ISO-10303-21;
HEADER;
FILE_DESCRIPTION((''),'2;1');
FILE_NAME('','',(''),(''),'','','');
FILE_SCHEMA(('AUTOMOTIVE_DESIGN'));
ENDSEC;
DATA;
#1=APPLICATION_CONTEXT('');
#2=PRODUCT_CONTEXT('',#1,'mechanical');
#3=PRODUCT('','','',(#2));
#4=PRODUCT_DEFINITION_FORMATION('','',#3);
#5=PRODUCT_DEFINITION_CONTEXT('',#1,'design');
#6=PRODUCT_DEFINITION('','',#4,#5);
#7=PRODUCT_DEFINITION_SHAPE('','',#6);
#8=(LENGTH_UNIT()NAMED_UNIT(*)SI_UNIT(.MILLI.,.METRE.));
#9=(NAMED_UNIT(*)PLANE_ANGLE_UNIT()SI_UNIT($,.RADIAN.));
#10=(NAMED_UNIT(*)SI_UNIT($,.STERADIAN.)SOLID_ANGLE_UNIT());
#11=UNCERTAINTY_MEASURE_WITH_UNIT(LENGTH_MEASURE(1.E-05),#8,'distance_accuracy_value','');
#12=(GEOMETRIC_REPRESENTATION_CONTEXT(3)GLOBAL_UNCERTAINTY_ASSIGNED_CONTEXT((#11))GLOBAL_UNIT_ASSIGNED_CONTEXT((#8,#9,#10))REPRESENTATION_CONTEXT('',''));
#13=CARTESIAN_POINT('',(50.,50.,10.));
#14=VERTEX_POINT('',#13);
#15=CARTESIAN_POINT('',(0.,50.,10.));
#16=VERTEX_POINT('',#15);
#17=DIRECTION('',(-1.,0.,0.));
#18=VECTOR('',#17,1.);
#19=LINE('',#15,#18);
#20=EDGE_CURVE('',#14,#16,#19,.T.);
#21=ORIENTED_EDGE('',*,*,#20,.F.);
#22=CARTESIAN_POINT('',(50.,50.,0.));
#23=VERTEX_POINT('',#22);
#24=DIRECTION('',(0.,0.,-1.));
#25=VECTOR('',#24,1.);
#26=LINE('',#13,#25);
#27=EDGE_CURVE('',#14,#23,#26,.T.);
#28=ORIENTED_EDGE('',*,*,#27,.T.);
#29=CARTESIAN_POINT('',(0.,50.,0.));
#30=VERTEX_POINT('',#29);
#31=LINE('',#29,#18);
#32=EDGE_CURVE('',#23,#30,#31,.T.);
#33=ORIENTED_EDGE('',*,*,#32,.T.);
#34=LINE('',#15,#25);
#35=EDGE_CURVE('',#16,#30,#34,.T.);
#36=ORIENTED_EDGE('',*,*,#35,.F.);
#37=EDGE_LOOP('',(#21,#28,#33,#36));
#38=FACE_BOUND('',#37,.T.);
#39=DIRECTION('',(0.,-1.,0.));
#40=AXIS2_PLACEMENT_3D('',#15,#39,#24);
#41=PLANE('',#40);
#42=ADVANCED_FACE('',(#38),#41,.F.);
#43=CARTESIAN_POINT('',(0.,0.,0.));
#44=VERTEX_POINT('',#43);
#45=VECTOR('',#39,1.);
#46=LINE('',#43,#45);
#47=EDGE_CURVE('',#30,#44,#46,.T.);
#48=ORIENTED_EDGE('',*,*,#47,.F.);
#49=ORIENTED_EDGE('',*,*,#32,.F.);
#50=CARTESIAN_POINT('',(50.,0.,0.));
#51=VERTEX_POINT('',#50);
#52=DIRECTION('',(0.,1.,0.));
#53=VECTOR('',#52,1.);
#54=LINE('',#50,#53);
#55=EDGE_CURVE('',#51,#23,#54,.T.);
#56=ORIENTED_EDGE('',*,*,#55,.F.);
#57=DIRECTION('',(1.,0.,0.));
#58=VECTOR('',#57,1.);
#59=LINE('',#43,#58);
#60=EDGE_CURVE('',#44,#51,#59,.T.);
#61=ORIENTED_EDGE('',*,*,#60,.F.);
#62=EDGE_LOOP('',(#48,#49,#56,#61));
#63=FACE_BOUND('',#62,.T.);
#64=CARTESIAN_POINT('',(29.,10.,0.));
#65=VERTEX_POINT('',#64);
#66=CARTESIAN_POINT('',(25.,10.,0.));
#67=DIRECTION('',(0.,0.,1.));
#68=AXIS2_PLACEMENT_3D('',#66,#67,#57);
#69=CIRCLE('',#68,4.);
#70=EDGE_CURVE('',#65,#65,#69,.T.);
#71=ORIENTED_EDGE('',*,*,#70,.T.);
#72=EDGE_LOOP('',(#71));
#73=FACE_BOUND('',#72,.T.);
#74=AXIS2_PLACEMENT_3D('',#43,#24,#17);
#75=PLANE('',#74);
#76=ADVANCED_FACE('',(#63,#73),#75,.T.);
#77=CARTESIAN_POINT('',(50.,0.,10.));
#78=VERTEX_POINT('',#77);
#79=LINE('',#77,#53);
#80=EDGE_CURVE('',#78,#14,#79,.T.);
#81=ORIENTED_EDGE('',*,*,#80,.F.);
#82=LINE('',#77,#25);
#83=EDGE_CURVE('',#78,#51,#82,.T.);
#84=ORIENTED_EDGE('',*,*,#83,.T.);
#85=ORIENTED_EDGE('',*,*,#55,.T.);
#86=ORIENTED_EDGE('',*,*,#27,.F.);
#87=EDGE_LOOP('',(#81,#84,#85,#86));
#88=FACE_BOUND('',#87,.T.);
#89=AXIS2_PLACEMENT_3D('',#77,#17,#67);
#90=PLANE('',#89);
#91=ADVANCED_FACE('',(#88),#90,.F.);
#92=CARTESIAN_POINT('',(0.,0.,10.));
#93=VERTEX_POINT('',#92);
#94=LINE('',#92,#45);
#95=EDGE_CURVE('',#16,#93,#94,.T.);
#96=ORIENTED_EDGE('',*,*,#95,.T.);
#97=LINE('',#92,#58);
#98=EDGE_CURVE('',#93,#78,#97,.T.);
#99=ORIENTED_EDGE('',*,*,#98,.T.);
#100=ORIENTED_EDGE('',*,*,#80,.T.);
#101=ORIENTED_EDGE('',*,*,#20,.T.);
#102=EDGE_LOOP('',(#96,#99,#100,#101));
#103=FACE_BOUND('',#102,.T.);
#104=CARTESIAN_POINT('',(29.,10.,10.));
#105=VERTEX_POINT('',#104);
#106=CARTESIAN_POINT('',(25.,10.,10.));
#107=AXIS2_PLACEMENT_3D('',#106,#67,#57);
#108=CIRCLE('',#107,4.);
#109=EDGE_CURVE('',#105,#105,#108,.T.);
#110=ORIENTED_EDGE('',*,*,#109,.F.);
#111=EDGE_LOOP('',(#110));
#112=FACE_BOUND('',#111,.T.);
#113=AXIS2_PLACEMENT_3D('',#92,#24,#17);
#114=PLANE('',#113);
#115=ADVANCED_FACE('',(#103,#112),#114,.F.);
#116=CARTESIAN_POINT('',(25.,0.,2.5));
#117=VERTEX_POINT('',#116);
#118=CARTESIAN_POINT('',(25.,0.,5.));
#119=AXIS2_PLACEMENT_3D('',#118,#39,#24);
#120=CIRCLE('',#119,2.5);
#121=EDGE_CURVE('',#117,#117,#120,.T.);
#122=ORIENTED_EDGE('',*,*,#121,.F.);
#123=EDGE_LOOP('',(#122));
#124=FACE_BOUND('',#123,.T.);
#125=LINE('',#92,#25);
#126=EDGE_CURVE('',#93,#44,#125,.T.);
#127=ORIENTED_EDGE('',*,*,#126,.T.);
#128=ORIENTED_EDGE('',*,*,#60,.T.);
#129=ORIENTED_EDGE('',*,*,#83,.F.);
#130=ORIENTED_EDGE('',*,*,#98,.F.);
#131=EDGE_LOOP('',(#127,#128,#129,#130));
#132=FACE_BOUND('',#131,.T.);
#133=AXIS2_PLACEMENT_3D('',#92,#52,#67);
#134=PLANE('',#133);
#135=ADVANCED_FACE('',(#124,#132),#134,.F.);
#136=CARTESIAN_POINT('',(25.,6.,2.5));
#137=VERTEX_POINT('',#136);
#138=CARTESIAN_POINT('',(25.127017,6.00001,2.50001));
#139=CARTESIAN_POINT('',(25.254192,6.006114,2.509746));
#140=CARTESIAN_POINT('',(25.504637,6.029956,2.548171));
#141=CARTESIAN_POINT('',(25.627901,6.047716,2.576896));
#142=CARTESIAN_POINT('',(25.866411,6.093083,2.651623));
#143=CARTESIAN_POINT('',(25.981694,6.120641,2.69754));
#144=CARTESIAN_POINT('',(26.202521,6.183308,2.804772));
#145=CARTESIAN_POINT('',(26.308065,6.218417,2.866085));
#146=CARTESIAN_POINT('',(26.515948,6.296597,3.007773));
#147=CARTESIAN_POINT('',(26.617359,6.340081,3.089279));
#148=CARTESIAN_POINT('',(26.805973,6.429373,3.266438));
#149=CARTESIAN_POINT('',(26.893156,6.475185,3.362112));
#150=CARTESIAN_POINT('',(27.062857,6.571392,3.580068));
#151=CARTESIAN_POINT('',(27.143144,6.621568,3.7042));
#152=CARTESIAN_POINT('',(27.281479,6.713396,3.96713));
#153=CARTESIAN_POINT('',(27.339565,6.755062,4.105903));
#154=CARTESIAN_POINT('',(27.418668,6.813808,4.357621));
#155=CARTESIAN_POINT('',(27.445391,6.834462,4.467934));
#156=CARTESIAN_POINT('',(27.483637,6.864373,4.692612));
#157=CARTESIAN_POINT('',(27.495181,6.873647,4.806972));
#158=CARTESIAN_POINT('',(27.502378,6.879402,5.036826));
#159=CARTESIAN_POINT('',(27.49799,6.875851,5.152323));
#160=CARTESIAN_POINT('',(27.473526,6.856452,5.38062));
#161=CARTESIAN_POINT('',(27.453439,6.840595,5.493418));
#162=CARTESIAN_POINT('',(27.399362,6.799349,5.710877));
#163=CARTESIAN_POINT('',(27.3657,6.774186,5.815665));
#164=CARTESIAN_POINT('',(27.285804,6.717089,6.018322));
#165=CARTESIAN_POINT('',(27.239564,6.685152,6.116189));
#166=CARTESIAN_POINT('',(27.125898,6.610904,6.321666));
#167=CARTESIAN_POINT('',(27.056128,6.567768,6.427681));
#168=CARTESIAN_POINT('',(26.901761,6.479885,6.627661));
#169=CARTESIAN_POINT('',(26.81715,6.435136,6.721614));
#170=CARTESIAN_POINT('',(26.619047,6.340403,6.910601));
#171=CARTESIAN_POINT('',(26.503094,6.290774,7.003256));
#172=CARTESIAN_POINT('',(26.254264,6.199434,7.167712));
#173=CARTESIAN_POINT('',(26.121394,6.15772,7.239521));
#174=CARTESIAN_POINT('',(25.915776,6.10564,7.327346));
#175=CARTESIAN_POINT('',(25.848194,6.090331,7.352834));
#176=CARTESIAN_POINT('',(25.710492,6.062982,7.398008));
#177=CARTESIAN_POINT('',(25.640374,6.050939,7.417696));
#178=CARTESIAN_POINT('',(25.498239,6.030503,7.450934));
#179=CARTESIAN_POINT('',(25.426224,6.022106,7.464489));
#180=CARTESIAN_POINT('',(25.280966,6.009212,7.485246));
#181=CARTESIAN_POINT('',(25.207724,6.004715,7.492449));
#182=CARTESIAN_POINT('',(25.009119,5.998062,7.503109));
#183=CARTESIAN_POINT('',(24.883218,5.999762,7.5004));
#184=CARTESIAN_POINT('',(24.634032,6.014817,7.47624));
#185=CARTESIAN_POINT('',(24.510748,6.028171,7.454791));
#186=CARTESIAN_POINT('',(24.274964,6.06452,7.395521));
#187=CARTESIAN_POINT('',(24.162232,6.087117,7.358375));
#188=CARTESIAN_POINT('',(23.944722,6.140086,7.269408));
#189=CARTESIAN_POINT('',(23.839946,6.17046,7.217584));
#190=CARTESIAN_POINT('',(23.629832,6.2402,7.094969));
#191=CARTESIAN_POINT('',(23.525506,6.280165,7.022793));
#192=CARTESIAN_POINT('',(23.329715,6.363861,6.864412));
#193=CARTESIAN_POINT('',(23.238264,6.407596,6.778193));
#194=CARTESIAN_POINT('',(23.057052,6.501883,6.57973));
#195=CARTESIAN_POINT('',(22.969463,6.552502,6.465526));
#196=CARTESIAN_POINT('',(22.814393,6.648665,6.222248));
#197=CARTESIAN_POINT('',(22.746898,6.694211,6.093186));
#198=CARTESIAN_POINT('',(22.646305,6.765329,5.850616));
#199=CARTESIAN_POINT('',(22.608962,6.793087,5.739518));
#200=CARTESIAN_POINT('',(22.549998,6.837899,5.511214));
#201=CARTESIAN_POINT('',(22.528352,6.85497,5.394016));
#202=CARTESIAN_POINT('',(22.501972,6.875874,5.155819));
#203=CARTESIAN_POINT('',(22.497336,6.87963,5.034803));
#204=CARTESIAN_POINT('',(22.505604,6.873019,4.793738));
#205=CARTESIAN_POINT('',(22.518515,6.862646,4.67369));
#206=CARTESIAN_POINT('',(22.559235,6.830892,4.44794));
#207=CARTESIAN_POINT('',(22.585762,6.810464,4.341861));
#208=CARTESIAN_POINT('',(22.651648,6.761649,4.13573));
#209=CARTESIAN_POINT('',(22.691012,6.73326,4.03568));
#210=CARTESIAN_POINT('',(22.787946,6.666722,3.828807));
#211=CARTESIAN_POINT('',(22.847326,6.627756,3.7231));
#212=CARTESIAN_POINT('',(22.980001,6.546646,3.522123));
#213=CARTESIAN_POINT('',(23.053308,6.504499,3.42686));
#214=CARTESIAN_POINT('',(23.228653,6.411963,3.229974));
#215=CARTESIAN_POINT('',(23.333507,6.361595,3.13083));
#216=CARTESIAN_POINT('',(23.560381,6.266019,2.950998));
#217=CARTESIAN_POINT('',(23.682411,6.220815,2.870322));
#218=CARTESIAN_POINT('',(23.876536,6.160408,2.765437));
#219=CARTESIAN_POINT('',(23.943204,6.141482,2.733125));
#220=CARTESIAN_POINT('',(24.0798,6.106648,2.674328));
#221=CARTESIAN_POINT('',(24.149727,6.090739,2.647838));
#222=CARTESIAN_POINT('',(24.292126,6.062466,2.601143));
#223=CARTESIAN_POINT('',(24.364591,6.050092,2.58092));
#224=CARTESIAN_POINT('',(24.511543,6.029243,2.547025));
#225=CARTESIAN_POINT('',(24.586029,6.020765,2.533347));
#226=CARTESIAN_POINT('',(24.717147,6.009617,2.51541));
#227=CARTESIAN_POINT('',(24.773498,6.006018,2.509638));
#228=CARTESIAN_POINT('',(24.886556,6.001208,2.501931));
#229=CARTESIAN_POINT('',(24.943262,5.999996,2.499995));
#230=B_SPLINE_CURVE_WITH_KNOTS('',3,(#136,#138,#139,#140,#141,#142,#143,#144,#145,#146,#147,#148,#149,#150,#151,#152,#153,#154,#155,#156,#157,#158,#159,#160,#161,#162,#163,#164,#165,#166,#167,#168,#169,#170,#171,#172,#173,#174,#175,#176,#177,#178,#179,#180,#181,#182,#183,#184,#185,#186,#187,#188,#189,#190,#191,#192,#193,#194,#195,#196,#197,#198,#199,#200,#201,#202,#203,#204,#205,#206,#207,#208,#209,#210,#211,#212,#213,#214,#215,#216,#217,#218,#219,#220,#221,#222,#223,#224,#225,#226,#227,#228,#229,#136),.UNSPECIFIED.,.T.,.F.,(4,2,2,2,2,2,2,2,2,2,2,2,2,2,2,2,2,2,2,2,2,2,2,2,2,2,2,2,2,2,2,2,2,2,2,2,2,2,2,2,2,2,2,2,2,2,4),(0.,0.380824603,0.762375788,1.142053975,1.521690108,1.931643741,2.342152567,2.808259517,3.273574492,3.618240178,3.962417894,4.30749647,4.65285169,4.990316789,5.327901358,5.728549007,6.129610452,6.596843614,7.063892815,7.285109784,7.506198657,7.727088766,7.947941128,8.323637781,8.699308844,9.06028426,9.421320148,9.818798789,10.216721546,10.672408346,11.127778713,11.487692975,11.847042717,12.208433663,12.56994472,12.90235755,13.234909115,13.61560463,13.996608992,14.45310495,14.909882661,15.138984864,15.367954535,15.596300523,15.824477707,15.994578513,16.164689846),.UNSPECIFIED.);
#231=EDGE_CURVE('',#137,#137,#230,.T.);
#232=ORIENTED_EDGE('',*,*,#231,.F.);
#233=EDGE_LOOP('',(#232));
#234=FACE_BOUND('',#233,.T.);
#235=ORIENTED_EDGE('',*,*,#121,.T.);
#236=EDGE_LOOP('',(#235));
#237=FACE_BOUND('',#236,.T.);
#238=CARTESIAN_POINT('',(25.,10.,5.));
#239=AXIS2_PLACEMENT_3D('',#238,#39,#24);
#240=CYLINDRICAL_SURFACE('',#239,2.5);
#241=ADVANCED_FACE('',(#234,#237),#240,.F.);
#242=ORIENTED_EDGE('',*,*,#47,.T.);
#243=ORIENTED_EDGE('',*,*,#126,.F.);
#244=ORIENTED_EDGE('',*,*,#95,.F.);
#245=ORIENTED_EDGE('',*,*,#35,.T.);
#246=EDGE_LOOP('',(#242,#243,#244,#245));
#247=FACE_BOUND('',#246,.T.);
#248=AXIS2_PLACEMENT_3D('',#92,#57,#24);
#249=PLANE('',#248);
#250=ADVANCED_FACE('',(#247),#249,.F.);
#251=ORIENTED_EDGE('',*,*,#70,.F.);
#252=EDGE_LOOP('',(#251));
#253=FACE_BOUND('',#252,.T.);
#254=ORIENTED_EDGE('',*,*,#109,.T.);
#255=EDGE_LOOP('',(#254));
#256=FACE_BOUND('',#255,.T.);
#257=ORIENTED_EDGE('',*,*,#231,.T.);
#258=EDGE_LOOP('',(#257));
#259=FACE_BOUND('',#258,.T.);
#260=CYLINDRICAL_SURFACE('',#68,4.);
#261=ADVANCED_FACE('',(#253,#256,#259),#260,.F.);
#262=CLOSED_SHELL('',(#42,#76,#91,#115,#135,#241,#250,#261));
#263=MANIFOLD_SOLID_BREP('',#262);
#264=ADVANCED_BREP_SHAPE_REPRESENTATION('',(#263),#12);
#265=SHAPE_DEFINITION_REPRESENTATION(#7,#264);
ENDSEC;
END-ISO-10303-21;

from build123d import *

# Parameters (mm, degrees)
SKETCH_1_W          = 50
SKETCH_1_H          = 50
EXTRUDE_1_DEPTH     = 10
SKETCH_2_R          = 4
CUT_EXTRUDE_1_DEPTH = 10
SKETCH_3_R          = 2.5
CUT_EXTRUDE_2_DEPTH = 10


with BuildPart() as part:
    # Эскиз1 → Бобышка-Вытянуть1 (new body)
    with BuildSketch(Plane.XY):
        with Locations((25, 25)):
            Rectangle(SKETCH_1_W, SKETCH_1_H)
    extrude(amount=EXTRUDE_1_DEPTH)

    # Эскиз2 → Вырез-Вытянуть1 (cut)
    with BuildSketch(Plane.XY.offset(10)):
        with Locations((25, 10)):
            Circle(SKETCH_2_R)
    extrude(amount=-CUT_EXTRUDE_1_DEPTH, mode=Mode.SUBTRACT)

    # Эскиз3 → Вырез-Вытянуть2 (cut)
    with BuildSketch(Plane.XZ):
        with Locations(Location((25, 5, 0), (0, 0, 270))):
            Circle(SKETCH_3_R)
    extrude(amount=-CUT_EXTRUDE_2_DEPTH, mode=Mode.SUBTRACT)


solid = part.part
